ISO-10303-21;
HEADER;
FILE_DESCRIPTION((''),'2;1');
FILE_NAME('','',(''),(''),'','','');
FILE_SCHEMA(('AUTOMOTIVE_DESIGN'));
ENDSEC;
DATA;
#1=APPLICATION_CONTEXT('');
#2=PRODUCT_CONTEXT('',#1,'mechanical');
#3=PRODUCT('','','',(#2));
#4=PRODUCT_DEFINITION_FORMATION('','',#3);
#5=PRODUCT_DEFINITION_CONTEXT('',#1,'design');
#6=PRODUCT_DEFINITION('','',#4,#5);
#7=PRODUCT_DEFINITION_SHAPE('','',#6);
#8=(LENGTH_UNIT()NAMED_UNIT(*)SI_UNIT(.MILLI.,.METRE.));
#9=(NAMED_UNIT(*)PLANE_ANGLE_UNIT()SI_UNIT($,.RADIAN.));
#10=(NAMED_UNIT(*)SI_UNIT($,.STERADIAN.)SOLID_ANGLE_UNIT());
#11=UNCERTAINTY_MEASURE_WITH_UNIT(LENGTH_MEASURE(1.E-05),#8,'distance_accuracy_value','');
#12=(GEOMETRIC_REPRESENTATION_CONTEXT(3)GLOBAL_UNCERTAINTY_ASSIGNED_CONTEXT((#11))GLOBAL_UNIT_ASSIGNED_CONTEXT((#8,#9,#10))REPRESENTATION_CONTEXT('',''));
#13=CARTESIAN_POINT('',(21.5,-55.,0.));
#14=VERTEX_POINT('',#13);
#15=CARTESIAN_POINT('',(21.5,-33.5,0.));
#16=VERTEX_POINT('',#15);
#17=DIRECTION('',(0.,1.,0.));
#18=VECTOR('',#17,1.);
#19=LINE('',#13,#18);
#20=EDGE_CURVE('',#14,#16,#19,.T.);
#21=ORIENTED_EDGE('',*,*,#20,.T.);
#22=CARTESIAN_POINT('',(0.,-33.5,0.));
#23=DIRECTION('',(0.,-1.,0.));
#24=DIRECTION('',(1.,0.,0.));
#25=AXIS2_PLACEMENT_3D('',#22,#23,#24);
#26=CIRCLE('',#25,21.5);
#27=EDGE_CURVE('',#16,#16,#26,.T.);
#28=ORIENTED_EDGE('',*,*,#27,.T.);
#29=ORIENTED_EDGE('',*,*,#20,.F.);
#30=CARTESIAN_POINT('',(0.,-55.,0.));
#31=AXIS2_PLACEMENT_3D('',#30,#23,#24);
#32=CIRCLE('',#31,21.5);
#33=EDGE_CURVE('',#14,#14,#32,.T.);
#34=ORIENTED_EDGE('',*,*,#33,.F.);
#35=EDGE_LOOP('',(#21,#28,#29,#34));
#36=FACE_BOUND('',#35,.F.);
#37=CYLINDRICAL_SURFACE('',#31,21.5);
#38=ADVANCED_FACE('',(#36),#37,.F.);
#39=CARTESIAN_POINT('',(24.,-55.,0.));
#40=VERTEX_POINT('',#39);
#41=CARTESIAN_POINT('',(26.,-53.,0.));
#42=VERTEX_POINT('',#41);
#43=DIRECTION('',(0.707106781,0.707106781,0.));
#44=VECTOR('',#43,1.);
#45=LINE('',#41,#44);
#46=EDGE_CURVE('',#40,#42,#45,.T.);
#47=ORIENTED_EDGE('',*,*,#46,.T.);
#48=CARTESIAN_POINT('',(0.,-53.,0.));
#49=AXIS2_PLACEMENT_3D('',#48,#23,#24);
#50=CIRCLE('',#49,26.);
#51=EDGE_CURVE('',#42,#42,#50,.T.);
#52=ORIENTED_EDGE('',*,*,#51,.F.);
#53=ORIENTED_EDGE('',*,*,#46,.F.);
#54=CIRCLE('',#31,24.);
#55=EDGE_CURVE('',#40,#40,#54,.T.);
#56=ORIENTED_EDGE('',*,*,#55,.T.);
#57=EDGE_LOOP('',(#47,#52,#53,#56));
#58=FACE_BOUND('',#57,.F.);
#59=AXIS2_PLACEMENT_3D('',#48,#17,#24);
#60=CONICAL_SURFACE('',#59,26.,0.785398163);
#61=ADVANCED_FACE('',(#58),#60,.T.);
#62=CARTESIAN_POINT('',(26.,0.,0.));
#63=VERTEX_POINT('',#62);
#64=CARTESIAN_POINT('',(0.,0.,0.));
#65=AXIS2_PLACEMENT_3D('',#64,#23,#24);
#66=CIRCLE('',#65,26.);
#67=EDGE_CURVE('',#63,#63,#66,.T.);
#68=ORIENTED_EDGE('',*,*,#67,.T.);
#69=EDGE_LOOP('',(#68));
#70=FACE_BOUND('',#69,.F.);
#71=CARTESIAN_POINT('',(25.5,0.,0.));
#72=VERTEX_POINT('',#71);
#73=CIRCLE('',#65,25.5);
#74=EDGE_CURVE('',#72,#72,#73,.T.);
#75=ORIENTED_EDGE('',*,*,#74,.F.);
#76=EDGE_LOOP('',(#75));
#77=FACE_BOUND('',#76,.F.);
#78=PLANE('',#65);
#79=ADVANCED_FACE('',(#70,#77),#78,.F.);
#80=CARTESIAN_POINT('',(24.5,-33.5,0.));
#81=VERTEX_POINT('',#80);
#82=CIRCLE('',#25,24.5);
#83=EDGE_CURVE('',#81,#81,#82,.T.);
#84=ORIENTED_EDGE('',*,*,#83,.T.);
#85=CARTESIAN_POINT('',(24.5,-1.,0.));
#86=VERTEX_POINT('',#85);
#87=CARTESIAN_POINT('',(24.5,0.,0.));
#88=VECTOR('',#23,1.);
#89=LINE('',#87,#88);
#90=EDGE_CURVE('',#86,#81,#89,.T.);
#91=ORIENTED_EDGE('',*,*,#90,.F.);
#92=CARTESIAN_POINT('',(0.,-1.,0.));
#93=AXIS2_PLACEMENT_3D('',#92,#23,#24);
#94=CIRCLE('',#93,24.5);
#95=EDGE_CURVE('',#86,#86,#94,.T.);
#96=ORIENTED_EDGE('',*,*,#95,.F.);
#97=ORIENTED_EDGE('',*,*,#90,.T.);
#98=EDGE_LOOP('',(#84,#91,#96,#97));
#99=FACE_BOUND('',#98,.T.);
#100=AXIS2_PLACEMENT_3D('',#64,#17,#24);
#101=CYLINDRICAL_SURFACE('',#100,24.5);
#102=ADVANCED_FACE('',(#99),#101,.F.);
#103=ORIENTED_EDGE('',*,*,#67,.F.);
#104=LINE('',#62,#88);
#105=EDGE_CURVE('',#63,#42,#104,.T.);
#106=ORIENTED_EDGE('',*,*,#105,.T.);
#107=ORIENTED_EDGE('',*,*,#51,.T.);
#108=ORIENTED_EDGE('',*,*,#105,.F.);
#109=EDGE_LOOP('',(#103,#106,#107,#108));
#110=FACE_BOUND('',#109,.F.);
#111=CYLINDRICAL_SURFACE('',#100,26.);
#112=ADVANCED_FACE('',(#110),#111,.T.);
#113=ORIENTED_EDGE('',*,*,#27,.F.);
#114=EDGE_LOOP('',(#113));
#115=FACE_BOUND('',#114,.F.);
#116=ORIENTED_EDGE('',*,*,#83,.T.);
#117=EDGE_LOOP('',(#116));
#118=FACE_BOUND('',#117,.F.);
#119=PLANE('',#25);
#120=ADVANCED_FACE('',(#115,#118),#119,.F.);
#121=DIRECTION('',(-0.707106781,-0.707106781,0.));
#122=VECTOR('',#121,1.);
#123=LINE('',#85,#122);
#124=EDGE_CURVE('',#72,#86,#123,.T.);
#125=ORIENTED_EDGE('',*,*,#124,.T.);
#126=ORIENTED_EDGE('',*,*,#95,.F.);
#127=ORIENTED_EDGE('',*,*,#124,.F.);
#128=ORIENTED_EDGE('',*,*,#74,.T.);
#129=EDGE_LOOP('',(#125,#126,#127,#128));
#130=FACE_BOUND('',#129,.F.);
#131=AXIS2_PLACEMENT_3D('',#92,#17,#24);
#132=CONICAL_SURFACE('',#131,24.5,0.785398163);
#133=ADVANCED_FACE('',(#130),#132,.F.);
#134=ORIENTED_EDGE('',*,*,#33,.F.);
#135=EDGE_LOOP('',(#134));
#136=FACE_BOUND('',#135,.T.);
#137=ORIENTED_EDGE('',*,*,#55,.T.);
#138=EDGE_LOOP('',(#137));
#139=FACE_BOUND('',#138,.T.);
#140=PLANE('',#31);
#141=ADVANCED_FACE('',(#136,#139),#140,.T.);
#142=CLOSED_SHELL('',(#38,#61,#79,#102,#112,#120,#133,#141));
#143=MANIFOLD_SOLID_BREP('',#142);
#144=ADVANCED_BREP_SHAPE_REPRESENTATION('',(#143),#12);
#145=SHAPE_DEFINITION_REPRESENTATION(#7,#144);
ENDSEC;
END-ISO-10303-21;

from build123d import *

# Parameters (mm, degrees)
F0_R     = 26
F0_R_2   = 24.5
F1_DEPTH = 55
F2_R     = 24.5
F2_R_2   = 21.5
F3_DEPTH = 21.5
F4_SIZE  = 2
F5_SIZE  = 1


with BuildPart() as f1:
    # F0 (on Front) → F1 (new body)
    with BuildSketch(Plane.XZ):
        Circle(F0_R)
        Circle(F0_R_2, mode=Mode.SUBTRACT)
    extrude(amount=F1_DEPTH)

    # F2 (on face) → F3 (join)
    with BuildSketch(Plane.XZ.offset(55)):
        Circle(F2_R)
        Circle(F2_R_2, mode=Mode.SUBTRACT)
    extrude(amount=-F3_DEPTH)

    # F4
    f4_edges = [f1.edges().sort_by_distance(p)[0] for p in [
        (-26, -55, 0),
    ]]
    chamfer(f4_edges, length=F4_SIZE)

    # F5
    f5_edges = [f1.edges().sort_by_distance(p)[0] for p in [
        (-24.5, 0, 0),
    ]]
    chamfer(f5_edges, length=F5_SIZE)


solid = f1.part
